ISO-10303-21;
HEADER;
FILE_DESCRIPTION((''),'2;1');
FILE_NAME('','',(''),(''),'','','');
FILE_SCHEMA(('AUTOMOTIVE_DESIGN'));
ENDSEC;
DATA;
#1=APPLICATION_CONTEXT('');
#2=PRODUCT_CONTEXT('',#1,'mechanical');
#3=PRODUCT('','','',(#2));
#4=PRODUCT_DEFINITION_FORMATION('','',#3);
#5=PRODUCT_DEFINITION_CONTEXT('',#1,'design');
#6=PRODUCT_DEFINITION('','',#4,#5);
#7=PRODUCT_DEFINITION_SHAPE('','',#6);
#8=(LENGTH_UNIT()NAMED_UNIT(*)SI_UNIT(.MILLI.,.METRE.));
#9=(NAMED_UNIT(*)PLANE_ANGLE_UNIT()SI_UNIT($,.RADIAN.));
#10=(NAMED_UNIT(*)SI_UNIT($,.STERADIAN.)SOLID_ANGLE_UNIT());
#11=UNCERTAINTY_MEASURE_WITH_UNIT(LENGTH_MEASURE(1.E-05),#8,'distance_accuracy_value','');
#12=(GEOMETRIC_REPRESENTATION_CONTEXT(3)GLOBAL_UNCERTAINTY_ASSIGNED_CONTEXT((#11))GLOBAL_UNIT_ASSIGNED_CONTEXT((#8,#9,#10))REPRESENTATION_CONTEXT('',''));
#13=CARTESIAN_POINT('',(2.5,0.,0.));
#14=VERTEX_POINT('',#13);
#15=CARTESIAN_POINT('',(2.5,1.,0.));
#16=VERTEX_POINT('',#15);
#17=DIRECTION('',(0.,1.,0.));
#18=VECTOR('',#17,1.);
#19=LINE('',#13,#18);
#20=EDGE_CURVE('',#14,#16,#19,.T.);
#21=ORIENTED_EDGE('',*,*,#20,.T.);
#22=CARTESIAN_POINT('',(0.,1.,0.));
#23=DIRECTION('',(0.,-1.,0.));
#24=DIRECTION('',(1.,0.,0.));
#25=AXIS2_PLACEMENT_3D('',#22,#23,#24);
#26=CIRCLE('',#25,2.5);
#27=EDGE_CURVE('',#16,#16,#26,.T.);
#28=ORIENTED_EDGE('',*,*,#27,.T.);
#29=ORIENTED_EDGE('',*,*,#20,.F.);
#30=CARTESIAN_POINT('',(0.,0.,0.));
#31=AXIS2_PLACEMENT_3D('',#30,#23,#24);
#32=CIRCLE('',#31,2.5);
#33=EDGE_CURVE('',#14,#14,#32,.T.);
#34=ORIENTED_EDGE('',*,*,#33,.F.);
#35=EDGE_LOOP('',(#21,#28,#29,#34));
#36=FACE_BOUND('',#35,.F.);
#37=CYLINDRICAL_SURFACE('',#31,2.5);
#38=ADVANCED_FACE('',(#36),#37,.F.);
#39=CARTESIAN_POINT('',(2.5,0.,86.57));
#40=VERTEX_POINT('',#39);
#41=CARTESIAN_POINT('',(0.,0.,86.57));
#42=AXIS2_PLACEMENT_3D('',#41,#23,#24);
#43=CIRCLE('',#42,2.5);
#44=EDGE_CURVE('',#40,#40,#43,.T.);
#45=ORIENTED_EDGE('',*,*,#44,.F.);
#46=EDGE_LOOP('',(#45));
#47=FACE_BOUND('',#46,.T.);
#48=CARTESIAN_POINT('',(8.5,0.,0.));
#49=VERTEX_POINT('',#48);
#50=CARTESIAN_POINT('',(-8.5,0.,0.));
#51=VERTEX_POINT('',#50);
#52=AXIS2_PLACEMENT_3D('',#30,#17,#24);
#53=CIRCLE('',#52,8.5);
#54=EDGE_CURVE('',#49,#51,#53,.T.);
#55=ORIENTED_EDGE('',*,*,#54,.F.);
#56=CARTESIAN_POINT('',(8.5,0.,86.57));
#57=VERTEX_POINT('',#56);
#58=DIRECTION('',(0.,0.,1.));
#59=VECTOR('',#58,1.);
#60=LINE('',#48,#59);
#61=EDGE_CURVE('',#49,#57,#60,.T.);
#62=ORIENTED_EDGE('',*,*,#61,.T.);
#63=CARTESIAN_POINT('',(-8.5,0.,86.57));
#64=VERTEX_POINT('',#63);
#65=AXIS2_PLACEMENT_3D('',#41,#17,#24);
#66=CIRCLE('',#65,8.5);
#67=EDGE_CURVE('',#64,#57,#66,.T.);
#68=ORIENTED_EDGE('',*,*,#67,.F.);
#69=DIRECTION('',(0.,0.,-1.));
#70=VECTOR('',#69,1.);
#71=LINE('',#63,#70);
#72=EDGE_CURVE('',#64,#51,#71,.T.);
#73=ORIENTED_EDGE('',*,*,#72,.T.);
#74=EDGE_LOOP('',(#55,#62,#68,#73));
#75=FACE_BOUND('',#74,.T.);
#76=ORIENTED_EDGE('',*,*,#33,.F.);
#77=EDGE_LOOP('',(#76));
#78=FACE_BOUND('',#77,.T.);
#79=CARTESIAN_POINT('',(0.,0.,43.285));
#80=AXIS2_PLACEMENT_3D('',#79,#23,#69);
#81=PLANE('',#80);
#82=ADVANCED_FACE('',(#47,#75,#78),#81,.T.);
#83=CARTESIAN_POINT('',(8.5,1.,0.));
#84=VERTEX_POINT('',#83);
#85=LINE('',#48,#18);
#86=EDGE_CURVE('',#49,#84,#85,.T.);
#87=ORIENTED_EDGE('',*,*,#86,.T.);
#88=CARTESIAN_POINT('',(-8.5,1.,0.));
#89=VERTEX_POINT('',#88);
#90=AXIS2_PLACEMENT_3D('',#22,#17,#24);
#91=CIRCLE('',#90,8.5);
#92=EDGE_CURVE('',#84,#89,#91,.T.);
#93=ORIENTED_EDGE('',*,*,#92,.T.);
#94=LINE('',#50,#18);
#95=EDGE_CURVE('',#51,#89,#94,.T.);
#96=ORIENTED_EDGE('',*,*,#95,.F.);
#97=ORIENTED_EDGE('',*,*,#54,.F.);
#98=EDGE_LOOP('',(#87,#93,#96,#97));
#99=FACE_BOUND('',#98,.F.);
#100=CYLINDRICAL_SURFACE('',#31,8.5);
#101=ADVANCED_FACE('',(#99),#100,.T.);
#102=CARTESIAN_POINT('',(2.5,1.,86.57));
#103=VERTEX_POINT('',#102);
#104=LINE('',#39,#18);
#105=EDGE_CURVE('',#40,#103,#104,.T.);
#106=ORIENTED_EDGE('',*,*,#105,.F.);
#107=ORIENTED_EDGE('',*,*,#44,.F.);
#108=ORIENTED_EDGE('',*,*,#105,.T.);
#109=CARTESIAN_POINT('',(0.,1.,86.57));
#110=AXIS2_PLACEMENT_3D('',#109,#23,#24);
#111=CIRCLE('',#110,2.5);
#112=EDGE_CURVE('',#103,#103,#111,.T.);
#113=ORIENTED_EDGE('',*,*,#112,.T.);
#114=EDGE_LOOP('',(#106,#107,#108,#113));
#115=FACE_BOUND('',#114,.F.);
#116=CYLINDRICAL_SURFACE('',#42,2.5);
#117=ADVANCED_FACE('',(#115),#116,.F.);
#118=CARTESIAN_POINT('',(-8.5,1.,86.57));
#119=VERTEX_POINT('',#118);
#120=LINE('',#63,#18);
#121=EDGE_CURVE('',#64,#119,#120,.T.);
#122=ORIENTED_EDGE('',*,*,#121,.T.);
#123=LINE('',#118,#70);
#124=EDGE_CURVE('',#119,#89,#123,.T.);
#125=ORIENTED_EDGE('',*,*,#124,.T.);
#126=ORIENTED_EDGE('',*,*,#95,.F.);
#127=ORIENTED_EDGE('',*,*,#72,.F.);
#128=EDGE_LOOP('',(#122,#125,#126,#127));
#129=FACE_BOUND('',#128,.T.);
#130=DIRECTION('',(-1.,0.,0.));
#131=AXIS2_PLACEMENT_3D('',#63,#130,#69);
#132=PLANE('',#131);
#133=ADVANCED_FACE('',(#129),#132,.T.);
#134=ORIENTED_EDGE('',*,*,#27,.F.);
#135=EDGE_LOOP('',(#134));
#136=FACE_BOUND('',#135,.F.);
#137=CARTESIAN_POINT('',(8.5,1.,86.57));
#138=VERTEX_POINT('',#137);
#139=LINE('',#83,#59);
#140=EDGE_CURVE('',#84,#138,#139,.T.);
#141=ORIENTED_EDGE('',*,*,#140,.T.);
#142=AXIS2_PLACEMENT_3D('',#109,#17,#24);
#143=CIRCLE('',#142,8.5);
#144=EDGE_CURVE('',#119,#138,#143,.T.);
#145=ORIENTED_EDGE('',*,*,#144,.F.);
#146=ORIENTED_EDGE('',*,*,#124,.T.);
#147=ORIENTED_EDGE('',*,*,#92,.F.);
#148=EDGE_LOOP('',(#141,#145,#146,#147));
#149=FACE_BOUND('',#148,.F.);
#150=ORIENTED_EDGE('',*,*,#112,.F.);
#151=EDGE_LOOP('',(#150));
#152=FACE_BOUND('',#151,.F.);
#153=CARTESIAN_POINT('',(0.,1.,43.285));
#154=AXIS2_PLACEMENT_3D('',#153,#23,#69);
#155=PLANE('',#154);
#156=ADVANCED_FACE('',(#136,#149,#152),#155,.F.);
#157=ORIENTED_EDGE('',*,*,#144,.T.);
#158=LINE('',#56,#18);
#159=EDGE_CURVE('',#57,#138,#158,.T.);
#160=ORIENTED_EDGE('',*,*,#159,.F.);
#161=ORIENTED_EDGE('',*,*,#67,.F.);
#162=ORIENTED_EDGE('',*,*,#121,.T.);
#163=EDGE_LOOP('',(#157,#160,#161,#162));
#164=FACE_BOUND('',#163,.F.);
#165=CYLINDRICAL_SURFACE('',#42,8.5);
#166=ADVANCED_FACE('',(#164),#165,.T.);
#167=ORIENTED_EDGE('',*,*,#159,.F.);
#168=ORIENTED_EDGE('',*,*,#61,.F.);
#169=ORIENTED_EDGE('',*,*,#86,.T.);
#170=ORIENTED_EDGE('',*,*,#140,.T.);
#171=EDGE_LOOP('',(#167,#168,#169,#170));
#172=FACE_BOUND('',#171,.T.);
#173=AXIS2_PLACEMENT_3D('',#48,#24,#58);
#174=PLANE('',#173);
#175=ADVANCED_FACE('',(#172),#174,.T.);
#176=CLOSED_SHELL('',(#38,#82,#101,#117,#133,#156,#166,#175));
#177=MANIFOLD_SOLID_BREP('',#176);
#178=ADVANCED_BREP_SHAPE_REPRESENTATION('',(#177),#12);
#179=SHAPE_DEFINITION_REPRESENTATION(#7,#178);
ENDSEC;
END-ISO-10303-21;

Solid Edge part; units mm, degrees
sketch "Sketch1" plane through (0, 0, 0) normal (0, -1, 0) x (1, 0, 0)
  line L0 (8.5, 0) -> (8.5, 86.57)
  line L1 (-8.5, 86.57) -> (-8.5, 0)
  arc A0 (-8.5, 86.57) -> (8.5, 86.57) centre (0, 86.57) cw
  arc A1 (8.5, 0) -> (-8.5, 0) centre (0, 0) cw
  circle A2 centre (0, 86.57) radius 2.5
  circle A3 centre (0, 0) radius 2.5
extrude "Protrusion1" add sketch "Sketch1" against normal blind 1
